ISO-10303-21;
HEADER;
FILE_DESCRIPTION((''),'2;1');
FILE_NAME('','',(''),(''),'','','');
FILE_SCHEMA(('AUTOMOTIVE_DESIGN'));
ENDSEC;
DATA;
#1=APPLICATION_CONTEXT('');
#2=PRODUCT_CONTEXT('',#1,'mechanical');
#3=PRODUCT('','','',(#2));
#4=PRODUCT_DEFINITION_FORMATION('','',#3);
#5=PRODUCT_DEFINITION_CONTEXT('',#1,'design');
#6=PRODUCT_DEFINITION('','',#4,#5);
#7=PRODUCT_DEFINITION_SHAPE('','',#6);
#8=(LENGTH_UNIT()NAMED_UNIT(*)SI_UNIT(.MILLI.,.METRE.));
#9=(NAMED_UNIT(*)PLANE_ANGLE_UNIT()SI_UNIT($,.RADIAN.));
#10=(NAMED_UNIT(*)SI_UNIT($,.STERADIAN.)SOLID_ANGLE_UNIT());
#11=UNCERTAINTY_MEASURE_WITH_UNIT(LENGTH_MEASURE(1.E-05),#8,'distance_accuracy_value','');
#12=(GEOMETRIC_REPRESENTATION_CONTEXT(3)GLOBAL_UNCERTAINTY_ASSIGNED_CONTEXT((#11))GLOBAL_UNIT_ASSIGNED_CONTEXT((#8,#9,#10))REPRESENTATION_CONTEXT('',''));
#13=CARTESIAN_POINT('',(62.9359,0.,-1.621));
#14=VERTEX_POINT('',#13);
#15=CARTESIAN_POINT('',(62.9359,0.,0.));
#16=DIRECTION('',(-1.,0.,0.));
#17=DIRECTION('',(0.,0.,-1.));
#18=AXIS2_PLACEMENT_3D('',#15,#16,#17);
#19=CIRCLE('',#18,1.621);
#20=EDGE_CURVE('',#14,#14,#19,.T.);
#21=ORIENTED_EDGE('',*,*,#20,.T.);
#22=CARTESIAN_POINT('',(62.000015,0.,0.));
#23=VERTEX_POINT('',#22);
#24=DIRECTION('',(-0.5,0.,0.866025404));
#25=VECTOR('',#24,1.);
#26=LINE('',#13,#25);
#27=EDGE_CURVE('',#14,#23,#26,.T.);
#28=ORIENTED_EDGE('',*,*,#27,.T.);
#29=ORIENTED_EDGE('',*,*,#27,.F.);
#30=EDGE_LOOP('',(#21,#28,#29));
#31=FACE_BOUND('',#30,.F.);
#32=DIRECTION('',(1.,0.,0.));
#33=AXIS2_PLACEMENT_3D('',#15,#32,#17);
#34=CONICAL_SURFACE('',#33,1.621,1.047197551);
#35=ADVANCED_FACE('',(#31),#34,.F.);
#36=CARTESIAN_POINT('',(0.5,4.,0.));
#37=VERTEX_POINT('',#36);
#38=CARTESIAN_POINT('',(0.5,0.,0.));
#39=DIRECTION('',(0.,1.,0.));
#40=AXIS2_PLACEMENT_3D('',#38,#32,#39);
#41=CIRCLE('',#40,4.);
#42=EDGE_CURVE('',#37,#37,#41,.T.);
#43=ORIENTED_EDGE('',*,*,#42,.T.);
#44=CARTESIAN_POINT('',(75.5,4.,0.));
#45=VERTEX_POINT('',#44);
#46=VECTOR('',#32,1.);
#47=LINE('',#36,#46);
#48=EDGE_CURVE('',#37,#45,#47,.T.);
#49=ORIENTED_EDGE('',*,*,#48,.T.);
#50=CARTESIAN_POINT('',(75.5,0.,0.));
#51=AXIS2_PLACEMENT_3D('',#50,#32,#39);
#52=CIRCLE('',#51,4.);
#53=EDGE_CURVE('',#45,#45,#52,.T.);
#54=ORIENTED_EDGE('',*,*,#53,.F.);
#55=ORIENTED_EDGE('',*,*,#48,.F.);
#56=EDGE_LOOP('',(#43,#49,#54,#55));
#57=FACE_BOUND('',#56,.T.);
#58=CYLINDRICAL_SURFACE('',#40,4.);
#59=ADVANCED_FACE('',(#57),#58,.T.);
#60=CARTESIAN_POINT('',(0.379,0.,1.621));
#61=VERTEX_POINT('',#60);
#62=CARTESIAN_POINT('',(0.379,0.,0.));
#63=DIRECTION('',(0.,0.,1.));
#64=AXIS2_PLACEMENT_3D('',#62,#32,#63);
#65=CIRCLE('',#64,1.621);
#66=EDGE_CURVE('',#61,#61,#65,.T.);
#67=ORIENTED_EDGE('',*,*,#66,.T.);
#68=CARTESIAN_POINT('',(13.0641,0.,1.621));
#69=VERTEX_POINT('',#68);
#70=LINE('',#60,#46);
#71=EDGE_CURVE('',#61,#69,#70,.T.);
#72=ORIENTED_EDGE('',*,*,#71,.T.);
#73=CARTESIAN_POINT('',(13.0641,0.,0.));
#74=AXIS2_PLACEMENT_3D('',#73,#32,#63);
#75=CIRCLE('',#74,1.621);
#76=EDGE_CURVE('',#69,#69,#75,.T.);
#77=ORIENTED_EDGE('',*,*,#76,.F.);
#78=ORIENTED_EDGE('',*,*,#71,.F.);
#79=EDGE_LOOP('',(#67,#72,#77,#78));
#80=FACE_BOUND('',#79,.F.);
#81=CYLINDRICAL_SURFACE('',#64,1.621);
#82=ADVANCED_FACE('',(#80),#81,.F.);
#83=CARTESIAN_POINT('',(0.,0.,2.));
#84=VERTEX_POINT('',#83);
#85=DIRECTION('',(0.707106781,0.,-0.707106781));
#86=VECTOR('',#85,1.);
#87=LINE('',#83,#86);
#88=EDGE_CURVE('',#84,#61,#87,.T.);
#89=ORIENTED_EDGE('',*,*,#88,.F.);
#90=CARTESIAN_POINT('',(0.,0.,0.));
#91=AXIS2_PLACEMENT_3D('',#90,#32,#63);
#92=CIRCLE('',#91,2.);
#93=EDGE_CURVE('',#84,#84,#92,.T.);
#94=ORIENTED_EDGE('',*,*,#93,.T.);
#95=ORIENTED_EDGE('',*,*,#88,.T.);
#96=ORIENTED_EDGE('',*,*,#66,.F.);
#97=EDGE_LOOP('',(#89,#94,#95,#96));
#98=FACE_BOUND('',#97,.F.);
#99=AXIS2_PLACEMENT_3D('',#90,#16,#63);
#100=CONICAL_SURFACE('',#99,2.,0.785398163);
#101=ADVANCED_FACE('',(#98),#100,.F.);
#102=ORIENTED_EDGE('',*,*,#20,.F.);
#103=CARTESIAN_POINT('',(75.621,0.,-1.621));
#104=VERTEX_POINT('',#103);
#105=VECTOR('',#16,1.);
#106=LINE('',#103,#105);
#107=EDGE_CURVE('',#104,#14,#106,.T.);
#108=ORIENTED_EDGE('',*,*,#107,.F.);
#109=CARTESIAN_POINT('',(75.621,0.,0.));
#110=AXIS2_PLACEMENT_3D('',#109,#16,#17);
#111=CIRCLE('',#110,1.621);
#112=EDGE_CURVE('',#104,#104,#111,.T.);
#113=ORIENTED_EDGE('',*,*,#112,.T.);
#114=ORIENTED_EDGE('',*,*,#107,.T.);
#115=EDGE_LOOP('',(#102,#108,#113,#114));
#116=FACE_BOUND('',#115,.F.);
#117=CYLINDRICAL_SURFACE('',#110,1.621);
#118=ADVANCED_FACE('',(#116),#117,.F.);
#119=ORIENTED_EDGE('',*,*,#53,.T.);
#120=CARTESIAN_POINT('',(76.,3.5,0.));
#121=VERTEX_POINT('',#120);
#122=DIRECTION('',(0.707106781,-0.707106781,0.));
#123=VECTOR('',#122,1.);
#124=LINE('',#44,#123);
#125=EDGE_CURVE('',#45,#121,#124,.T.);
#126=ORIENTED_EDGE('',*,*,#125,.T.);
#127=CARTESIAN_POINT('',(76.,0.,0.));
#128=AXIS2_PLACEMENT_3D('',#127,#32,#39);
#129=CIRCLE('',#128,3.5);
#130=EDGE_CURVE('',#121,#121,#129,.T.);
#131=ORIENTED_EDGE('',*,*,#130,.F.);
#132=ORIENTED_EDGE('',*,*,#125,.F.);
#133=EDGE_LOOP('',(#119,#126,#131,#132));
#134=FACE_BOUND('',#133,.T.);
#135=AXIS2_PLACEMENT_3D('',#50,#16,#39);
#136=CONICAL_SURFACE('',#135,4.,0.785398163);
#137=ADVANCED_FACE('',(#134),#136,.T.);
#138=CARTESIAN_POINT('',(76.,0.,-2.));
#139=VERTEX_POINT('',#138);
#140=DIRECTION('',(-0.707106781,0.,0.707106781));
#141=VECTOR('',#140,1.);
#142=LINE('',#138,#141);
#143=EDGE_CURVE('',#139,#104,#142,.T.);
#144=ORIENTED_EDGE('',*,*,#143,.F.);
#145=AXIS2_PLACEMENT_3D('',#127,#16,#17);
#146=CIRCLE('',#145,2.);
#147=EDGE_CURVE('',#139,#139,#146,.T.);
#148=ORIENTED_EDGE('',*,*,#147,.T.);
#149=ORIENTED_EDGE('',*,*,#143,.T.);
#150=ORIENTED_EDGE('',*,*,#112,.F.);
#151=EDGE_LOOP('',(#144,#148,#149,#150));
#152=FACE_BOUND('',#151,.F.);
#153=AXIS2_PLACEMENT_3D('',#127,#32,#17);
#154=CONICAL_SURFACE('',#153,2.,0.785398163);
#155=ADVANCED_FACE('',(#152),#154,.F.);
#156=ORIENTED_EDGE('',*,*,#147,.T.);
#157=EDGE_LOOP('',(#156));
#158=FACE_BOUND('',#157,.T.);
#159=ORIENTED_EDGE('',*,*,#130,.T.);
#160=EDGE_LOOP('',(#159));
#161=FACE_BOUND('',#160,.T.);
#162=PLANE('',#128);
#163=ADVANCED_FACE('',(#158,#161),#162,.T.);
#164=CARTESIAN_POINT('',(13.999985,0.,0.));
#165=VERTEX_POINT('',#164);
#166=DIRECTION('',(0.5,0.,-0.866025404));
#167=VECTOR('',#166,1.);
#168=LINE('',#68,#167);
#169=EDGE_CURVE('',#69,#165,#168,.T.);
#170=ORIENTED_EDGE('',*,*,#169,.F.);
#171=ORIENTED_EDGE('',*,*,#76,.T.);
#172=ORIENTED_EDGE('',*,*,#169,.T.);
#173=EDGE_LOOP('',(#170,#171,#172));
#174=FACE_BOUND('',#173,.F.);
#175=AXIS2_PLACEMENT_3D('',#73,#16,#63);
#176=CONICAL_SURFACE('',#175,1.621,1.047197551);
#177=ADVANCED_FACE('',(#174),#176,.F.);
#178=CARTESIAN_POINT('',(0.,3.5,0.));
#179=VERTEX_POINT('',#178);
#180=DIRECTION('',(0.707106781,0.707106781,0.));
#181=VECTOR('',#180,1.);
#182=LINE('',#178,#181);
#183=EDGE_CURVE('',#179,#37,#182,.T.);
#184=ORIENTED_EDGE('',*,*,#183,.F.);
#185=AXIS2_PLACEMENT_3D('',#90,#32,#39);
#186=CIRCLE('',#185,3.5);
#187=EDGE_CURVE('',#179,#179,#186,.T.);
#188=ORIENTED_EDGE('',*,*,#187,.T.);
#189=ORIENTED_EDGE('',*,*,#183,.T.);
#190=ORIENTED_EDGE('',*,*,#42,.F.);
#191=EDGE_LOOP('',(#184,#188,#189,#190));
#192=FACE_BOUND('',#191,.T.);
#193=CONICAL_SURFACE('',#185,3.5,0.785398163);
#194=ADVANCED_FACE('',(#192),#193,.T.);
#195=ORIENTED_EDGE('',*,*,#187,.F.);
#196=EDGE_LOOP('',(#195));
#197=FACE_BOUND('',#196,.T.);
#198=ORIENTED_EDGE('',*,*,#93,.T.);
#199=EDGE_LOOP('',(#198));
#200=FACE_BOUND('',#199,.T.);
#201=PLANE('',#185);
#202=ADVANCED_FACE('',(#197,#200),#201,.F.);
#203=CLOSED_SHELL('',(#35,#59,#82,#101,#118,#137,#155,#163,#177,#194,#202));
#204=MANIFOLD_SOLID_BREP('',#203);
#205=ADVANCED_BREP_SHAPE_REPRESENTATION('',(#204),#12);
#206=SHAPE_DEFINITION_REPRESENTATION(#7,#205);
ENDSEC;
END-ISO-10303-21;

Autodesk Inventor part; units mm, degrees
ref_plane "YZ Plane" through (0, 0, 0) normal (1, 0, 0) x (0, 1, 0)
ref_plane "XZ Plane" through (0, 0, 0) normal (0, 1, 0) x (-1, 0, 0)
ref_plane "XY Plane" through (0, 0, 0) normal (0, 0, 1) x (1, 0, 0)
sketch "Sketch_1" plane through (0, 0, 0) normal (0, 0, 1) x (1, 0, 0)
  line L0 (76, 0) -> (0, 0)
  line L1 (0, 0) -> (0, 3.5)
  line L2 (0, 3.5) -> (0.5, 4)
  line L3 (0.5, 4) -> (75.5, 4)
  line L4 (75.5, 4) -> (76, 3.5)
  line L5 (76, 3.5) -> (76, 0)
  line L6 (76, 0) -> (0, 0)
revolve "Revolution1" add sketch "Sketch_1" angle 360 about axis through (76, 0, 0) along (1, 0, 0)
sketch "Sketch2" plane through (0, 0, 0) normal (-1, 0, 0) x (0, 0, 1)
  point P0 (0, 0)
hole "Hole1" at (0, 0, 0) direction (1, 0, 0) diameter 3.242 depth 13.0641 tip angle 120 countersink diameter 4 countersink angle 90 thread size "M4x0.7" class "6H" standard "ISO Metric profile"
sketch "Sketch3" plane through (76, 0, 0) normal (1, 0, 0) x (0, 0, -1)
  point P0 (0, 0)
hole "Hole2" at (76, 0, 0) direction (-1, 0, 0) diameter 3.242 depth 13.0641 tip angle 120 countersink diameter 4 countersink angle 90 thread size "M4x0.7" class "6H" standard "ISO Metric profile"
properties part number "SFHRW8-76-M4-N4" material "鋼、炭素鋼"
